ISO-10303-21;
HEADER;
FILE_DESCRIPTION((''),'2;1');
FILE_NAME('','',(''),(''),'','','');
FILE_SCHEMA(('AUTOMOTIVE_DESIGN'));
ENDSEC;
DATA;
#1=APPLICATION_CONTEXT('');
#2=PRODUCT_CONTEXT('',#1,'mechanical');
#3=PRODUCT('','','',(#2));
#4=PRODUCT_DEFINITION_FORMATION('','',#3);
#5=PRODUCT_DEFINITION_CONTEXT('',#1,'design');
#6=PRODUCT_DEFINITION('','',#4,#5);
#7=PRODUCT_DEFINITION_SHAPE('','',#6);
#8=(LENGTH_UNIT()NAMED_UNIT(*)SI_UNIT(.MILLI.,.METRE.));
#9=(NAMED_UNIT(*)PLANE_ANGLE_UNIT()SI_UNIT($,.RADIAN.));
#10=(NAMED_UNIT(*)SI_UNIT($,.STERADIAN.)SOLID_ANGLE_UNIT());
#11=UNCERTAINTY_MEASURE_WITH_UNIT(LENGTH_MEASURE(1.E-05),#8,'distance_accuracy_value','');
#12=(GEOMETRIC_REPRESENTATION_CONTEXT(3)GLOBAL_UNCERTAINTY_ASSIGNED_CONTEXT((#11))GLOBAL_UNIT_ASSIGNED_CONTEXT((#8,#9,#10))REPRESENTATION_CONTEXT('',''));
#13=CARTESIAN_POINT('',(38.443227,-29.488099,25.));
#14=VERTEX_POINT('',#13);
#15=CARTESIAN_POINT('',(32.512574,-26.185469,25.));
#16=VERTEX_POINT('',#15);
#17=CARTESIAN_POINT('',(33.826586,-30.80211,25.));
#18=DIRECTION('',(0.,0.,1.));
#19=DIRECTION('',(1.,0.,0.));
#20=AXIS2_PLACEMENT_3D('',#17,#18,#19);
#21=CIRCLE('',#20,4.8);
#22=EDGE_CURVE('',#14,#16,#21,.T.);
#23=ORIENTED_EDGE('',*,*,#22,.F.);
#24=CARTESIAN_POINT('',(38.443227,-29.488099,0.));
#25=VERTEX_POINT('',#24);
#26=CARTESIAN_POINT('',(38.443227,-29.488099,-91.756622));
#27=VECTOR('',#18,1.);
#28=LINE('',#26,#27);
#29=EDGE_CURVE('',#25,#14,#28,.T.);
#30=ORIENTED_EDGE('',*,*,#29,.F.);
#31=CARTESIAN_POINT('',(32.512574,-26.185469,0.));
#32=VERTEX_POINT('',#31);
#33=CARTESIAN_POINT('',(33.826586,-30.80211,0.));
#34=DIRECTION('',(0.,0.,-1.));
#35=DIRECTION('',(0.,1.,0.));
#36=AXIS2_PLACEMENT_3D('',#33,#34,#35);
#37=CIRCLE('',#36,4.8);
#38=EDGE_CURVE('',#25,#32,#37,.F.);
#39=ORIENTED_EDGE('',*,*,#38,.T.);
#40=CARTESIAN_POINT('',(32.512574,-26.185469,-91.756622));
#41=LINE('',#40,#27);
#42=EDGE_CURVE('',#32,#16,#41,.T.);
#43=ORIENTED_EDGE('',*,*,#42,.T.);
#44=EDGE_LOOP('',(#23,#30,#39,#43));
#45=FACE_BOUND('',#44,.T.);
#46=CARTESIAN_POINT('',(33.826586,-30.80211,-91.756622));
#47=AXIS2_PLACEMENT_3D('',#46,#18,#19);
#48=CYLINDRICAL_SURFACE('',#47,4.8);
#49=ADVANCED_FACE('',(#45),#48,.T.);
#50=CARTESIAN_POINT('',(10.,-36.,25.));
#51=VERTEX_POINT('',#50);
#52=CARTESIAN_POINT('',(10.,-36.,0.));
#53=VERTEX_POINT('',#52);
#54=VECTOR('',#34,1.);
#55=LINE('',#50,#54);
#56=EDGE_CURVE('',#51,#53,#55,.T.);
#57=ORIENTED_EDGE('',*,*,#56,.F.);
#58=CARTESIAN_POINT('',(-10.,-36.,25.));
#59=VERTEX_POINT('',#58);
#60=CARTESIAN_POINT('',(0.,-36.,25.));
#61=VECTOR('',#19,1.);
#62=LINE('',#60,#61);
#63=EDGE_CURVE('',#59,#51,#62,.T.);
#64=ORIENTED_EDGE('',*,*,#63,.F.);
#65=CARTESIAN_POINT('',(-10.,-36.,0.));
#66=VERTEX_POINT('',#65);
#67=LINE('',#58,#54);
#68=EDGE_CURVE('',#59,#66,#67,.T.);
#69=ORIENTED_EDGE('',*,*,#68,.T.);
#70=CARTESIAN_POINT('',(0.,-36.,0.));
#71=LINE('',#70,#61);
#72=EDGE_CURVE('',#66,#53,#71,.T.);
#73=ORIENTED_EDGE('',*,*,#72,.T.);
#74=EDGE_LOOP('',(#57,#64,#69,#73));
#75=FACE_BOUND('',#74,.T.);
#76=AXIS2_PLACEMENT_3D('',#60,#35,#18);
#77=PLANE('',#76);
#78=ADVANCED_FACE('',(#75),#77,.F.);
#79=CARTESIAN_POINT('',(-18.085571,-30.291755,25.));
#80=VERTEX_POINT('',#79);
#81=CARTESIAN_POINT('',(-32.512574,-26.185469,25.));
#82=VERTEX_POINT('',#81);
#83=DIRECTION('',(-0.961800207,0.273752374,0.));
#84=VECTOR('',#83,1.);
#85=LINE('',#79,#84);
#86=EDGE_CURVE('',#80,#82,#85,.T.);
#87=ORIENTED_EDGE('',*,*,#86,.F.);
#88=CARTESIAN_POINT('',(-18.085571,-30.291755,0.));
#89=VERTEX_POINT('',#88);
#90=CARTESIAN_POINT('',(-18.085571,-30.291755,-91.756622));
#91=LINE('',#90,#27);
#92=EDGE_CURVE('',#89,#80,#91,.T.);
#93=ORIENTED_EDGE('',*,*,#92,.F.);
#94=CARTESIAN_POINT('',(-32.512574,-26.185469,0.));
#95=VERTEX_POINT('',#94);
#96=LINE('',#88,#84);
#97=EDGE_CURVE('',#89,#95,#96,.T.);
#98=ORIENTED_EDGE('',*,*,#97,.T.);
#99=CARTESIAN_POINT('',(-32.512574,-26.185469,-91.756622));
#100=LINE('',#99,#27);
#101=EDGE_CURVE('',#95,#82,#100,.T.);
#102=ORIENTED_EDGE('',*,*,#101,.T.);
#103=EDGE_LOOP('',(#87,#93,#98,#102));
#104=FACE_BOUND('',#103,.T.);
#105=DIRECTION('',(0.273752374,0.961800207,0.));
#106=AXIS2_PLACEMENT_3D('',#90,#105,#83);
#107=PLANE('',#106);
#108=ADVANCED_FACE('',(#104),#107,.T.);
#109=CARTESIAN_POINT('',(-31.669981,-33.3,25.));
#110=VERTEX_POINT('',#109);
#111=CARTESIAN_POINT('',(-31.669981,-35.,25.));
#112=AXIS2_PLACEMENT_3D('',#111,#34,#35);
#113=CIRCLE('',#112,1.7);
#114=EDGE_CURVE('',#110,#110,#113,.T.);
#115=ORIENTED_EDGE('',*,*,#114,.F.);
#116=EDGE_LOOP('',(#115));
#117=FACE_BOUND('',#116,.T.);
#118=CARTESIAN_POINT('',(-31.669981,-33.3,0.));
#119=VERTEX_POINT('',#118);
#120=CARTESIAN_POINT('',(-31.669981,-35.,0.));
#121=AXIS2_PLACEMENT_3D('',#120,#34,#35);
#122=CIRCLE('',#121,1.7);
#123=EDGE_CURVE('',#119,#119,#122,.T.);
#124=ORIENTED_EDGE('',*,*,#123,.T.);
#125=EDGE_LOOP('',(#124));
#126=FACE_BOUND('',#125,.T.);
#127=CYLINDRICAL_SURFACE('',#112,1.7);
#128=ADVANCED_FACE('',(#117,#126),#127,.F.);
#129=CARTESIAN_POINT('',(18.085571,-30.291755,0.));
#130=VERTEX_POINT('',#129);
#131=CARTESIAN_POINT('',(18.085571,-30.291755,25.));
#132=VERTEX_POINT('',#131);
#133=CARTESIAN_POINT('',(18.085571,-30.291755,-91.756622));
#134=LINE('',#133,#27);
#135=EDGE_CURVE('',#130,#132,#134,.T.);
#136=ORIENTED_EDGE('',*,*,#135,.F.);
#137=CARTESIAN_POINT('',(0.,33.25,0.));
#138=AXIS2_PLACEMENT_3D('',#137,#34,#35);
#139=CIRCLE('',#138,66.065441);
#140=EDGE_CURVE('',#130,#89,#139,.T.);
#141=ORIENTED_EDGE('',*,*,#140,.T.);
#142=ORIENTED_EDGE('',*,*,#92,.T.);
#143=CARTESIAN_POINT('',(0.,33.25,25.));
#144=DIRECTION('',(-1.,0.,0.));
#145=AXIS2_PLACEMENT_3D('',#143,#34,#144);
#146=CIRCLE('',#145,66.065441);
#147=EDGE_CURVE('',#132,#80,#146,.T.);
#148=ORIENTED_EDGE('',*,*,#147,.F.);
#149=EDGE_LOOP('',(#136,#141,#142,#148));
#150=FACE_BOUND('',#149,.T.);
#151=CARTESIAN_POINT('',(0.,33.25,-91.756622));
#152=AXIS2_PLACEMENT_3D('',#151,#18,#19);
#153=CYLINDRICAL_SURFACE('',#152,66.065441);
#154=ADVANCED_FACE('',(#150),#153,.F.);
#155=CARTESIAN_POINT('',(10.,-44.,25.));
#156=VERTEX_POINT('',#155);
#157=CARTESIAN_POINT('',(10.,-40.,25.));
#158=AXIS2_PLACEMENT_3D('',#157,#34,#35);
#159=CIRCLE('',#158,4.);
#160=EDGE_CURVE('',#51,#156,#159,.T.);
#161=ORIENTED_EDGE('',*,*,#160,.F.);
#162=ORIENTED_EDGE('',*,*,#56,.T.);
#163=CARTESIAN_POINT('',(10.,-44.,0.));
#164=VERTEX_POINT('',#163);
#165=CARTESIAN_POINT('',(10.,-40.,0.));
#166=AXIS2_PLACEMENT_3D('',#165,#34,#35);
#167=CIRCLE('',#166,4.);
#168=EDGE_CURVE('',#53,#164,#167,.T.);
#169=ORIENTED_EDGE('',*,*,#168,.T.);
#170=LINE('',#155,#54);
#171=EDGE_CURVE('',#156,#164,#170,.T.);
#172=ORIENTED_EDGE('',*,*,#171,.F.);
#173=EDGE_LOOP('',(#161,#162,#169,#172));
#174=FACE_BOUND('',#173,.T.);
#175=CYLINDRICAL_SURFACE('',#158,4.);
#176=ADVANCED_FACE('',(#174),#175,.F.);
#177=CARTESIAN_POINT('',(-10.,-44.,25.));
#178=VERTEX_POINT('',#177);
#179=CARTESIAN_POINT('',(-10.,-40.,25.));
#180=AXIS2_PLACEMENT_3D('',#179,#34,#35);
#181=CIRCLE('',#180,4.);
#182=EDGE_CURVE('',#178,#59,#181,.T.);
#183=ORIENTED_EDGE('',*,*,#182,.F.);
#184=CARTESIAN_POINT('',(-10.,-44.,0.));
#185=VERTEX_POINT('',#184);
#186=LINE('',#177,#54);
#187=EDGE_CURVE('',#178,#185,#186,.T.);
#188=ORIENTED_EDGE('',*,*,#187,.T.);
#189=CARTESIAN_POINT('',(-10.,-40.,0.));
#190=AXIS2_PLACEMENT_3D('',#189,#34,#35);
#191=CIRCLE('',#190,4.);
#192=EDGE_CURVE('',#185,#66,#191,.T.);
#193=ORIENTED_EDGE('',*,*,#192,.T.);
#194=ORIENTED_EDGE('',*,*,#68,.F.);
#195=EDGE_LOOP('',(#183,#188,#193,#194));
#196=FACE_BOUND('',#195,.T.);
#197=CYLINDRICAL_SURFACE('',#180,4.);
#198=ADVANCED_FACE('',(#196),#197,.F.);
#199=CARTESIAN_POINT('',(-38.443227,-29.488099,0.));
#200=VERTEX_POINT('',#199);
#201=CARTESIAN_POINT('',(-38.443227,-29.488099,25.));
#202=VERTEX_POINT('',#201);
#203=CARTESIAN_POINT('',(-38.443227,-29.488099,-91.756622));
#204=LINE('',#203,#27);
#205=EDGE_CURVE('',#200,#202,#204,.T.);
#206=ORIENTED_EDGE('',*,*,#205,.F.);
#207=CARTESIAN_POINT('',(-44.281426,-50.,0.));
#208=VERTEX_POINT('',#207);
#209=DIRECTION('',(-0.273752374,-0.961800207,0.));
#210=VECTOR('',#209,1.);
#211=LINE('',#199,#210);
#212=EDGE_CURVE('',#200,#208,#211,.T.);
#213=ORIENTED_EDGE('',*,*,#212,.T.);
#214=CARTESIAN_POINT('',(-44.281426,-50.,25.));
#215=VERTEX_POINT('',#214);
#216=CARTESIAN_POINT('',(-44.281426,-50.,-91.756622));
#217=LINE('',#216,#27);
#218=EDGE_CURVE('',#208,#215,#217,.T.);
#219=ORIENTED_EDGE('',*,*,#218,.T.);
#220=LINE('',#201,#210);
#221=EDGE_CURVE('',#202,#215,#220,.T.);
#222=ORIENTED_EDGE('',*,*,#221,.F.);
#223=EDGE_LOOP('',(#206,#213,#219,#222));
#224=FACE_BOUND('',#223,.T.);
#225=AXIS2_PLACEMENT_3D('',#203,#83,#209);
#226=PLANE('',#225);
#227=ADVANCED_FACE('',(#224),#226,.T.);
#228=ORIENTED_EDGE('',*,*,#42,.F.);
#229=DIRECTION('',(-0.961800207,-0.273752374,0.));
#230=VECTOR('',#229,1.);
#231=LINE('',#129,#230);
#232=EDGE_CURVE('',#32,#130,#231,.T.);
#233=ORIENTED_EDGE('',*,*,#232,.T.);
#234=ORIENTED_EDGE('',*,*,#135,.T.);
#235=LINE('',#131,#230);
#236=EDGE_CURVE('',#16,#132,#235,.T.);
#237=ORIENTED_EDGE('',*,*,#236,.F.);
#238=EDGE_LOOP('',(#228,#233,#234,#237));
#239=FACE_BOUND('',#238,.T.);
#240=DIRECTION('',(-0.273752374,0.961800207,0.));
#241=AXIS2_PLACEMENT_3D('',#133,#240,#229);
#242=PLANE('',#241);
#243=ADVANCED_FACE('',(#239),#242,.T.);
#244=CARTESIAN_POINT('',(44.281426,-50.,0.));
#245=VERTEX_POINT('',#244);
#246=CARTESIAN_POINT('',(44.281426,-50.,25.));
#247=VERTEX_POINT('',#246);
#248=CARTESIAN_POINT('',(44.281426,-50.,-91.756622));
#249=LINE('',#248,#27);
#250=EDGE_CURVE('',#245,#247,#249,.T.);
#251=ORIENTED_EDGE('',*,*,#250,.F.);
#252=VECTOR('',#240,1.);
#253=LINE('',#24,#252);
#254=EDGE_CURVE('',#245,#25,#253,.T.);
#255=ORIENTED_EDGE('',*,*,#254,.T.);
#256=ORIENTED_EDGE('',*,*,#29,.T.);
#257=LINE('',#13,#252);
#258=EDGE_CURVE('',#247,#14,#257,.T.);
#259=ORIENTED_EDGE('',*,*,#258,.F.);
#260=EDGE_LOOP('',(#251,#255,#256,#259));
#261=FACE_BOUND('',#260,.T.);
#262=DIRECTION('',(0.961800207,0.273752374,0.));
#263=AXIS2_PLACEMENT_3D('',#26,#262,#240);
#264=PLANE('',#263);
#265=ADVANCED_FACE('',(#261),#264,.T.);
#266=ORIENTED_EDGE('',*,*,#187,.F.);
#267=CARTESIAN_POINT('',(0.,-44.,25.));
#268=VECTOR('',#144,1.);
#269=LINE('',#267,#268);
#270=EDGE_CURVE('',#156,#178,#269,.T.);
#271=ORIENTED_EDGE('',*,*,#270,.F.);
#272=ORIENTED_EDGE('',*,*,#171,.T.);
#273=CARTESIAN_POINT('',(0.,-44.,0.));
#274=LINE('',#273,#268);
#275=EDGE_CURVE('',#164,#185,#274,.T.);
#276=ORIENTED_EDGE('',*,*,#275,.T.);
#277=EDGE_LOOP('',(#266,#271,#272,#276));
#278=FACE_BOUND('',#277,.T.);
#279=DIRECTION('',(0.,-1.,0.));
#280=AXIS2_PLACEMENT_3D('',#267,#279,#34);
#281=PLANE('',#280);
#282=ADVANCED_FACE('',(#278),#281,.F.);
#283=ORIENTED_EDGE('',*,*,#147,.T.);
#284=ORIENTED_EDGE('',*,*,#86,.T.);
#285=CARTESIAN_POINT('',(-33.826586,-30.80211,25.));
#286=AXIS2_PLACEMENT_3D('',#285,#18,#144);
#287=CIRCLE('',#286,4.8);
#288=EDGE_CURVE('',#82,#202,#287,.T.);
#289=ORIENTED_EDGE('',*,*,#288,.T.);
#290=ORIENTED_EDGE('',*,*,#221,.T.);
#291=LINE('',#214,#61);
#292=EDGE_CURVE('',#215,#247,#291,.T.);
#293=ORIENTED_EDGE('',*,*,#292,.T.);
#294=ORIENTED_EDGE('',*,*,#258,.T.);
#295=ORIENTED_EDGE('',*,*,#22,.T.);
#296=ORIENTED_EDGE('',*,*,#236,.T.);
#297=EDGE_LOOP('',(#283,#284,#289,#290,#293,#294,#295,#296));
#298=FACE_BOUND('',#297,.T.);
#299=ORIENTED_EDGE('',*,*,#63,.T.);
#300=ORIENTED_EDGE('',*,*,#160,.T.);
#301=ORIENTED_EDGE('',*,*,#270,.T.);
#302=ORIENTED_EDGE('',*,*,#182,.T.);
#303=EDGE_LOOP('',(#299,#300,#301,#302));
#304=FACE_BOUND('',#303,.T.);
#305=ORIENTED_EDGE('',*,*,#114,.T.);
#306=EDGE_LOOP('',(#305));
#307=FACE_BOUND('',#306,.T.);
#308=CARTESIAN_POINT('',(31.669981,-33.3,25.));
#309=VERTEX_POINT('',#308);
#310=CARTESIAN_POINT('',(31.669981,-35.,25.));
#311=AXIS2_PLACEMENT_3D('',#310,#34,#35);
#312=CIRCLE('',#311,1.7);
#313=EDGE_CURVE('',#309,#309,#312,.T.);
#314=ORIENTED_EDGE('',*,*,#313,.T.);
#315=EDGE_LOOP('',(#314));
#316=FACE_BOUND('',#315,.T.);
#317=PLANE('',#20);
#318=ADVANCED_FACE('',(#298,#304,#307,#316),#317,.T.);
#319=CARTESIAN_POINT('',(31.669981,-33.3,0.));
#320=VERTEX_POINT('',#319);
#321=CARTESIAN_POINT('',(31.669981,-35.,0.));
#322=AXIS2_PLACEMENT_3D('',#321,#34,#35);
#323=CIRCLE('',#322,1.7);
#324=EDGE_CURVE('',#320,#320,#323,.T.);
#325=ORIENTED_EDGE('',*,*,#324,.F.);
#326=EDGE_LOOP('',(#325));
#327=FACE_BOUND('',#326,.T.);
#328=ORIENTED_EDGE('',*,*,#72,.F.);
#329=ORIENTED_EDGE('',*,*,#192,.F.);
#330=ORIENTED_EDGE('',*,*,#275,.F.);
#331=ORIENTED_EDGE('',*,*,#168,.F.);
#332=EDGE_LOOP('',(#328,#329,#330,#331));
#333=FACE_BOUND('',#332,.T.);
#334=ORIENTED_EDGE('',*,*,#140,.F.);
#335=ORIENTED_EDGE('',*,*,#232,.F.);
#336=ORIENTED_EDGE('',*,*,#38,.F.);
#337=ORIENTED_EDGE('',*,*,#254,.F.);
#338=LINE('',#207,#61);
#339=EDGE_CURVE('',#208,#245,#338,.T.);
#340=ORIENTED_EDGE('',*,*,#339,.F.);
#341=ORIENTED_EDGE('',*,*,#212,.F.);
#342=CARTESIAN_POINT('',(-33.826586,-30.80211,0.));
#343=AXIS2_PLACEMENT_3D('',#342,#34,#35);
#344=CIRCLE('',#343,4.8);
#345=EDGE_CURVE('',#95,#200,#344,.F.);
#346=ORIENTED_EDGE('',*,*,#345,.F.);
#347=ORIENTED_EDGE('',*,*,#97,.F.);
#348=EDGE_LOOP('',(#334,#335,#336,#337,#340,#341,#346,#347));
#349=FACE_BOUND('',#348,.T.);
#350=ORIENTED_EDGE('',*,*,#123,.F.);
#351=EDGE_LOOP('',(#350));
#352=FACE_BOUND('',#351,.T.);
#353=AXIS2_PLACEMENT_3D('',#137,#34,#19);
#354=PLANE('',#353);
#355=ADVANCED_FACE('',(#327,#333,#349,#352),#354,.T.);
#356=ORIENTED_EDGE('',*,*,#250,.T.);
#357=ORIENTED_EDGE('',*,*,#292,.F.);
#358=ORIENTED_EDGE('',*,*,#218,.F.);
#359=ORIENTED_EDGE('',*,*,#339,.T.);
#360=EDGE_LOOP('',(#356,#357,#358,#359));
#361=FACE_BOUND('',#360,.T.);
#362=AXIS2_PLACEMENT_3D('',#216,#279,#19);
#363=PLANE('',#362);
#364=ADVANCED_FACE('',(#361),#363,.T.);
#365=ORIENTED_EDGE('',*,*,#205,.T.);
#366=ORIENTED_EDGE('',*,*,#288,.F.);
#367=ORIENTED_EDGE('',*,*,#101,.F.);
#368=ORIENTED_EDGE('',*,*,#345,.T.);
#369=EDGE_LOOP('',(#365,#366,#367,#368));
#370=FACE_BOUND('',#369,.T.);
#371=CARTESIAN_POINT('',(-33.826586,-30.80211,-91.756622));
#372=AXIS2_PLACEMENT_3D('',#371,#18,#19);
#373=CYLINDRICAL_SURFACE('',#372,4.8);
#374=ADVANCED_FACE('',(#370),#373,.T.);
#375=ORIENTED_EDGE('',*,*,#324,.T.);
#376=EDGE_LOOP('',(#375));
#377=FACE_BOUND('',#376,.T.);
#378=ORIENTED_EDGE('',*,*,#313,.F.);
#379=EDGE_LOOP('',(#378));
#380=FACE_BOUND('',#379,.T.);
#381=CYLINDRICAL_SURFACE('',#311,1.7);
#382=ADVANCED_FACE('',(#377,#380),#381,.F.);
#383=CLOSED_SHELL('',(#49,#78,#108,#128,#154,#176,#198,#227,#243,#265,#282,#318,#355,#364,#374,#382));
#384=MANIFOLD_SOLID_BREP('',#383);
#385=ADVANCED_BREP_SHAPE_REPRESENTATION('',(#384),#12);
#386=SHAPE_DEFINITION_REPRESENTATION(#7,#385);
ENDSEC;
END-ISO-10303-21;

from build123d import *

# Parameters (mm, degrees)
BOSS_EXTRU_1_DEPTH      = 25
ENL_V_MAT_EXTRU_1_DEPTH = 26
ESQUISSE13_R            = 1.7
ENL_V_MAT_EXTRU_2_DEPTH = 29


with BuildPart() as part:
    # Esquisse1 → Boss.-Extru.1 (new body)
    with BuildSketch(Plane.XY.offset(25)):
        with BuildLine():
            Line((18.085571367, -30.291755058), (32.51257447, -26.185469451))
            ThreePointArc((32.51257447, -26.185469451), (36.161897649, -26.608505924), (38.443226857, -29.48809905))
            Line((38.443226857, -29.48809905), (44.28142645, -50))
            Line((44.28142645, -50), (-44.28142645, -50))
            Line((-44.28142645, -50), (-38.443226857, -29.48809905))
            ThreePointArc((-38.443226857, -29.48809905), (-36.161897649, -26.608505924), (-32.51257447, -26.185469451))
            Line((-32.51257447, -26.185469451), (-18.085571367, -30.291755058))
            ThreePointArc((-18.085571367, -30.291755058), (-9.130400918, -32.181477949), (0, -32.81544125))
            ThreePointArc((0, -32.81544125), (9.130400918, -32.181477949), (18.085571367, -30.291755058))
        make_face()
    extrude(amount=-BOSS_EXTRU_1_DEPTH)

    # Esquisse2 → Enlèv. mat.-Extru.1 (cut, through all)
    with BuildSketch(Plane(origin=(0, 0, 0), x_dir=(-1, 0, 0), z_dir=(0, 0, -1))):
        with BuildLine():
            Line((-10, -44), (10, -44))
            ThreePointArc((10, -44), (14, -40), (10, -36))
            Line((10, -36), (-10, -36))
            ThreePointArc((-10, -36), (-14, -40), (-10, -44))
        make_face()
    extrude(amount=-ENL_V_MAT_EXTRU_1_DEPTH, mode=Mode.SUBTRACT)

    # Esquisse13 → Enlèv. mat.-Extru.2 (cut, through all)
    with BuildSketch(Plane(origin=(0, 0, -3), x_dir=(-1, 0, 0), z_dir=(0, 0, -1))):
        with Locations((31.669980911, -35)):
            Circle(ESQUISSE13_R)
        with Locations((-31.669980911, -35)):
            Circle(ESQUISSE13_R)
    extrude(amount=-ENL_V_MAT_EXTRU_2_DEPTH, mode=Mode.SUBTRACT)


solid = part.part
